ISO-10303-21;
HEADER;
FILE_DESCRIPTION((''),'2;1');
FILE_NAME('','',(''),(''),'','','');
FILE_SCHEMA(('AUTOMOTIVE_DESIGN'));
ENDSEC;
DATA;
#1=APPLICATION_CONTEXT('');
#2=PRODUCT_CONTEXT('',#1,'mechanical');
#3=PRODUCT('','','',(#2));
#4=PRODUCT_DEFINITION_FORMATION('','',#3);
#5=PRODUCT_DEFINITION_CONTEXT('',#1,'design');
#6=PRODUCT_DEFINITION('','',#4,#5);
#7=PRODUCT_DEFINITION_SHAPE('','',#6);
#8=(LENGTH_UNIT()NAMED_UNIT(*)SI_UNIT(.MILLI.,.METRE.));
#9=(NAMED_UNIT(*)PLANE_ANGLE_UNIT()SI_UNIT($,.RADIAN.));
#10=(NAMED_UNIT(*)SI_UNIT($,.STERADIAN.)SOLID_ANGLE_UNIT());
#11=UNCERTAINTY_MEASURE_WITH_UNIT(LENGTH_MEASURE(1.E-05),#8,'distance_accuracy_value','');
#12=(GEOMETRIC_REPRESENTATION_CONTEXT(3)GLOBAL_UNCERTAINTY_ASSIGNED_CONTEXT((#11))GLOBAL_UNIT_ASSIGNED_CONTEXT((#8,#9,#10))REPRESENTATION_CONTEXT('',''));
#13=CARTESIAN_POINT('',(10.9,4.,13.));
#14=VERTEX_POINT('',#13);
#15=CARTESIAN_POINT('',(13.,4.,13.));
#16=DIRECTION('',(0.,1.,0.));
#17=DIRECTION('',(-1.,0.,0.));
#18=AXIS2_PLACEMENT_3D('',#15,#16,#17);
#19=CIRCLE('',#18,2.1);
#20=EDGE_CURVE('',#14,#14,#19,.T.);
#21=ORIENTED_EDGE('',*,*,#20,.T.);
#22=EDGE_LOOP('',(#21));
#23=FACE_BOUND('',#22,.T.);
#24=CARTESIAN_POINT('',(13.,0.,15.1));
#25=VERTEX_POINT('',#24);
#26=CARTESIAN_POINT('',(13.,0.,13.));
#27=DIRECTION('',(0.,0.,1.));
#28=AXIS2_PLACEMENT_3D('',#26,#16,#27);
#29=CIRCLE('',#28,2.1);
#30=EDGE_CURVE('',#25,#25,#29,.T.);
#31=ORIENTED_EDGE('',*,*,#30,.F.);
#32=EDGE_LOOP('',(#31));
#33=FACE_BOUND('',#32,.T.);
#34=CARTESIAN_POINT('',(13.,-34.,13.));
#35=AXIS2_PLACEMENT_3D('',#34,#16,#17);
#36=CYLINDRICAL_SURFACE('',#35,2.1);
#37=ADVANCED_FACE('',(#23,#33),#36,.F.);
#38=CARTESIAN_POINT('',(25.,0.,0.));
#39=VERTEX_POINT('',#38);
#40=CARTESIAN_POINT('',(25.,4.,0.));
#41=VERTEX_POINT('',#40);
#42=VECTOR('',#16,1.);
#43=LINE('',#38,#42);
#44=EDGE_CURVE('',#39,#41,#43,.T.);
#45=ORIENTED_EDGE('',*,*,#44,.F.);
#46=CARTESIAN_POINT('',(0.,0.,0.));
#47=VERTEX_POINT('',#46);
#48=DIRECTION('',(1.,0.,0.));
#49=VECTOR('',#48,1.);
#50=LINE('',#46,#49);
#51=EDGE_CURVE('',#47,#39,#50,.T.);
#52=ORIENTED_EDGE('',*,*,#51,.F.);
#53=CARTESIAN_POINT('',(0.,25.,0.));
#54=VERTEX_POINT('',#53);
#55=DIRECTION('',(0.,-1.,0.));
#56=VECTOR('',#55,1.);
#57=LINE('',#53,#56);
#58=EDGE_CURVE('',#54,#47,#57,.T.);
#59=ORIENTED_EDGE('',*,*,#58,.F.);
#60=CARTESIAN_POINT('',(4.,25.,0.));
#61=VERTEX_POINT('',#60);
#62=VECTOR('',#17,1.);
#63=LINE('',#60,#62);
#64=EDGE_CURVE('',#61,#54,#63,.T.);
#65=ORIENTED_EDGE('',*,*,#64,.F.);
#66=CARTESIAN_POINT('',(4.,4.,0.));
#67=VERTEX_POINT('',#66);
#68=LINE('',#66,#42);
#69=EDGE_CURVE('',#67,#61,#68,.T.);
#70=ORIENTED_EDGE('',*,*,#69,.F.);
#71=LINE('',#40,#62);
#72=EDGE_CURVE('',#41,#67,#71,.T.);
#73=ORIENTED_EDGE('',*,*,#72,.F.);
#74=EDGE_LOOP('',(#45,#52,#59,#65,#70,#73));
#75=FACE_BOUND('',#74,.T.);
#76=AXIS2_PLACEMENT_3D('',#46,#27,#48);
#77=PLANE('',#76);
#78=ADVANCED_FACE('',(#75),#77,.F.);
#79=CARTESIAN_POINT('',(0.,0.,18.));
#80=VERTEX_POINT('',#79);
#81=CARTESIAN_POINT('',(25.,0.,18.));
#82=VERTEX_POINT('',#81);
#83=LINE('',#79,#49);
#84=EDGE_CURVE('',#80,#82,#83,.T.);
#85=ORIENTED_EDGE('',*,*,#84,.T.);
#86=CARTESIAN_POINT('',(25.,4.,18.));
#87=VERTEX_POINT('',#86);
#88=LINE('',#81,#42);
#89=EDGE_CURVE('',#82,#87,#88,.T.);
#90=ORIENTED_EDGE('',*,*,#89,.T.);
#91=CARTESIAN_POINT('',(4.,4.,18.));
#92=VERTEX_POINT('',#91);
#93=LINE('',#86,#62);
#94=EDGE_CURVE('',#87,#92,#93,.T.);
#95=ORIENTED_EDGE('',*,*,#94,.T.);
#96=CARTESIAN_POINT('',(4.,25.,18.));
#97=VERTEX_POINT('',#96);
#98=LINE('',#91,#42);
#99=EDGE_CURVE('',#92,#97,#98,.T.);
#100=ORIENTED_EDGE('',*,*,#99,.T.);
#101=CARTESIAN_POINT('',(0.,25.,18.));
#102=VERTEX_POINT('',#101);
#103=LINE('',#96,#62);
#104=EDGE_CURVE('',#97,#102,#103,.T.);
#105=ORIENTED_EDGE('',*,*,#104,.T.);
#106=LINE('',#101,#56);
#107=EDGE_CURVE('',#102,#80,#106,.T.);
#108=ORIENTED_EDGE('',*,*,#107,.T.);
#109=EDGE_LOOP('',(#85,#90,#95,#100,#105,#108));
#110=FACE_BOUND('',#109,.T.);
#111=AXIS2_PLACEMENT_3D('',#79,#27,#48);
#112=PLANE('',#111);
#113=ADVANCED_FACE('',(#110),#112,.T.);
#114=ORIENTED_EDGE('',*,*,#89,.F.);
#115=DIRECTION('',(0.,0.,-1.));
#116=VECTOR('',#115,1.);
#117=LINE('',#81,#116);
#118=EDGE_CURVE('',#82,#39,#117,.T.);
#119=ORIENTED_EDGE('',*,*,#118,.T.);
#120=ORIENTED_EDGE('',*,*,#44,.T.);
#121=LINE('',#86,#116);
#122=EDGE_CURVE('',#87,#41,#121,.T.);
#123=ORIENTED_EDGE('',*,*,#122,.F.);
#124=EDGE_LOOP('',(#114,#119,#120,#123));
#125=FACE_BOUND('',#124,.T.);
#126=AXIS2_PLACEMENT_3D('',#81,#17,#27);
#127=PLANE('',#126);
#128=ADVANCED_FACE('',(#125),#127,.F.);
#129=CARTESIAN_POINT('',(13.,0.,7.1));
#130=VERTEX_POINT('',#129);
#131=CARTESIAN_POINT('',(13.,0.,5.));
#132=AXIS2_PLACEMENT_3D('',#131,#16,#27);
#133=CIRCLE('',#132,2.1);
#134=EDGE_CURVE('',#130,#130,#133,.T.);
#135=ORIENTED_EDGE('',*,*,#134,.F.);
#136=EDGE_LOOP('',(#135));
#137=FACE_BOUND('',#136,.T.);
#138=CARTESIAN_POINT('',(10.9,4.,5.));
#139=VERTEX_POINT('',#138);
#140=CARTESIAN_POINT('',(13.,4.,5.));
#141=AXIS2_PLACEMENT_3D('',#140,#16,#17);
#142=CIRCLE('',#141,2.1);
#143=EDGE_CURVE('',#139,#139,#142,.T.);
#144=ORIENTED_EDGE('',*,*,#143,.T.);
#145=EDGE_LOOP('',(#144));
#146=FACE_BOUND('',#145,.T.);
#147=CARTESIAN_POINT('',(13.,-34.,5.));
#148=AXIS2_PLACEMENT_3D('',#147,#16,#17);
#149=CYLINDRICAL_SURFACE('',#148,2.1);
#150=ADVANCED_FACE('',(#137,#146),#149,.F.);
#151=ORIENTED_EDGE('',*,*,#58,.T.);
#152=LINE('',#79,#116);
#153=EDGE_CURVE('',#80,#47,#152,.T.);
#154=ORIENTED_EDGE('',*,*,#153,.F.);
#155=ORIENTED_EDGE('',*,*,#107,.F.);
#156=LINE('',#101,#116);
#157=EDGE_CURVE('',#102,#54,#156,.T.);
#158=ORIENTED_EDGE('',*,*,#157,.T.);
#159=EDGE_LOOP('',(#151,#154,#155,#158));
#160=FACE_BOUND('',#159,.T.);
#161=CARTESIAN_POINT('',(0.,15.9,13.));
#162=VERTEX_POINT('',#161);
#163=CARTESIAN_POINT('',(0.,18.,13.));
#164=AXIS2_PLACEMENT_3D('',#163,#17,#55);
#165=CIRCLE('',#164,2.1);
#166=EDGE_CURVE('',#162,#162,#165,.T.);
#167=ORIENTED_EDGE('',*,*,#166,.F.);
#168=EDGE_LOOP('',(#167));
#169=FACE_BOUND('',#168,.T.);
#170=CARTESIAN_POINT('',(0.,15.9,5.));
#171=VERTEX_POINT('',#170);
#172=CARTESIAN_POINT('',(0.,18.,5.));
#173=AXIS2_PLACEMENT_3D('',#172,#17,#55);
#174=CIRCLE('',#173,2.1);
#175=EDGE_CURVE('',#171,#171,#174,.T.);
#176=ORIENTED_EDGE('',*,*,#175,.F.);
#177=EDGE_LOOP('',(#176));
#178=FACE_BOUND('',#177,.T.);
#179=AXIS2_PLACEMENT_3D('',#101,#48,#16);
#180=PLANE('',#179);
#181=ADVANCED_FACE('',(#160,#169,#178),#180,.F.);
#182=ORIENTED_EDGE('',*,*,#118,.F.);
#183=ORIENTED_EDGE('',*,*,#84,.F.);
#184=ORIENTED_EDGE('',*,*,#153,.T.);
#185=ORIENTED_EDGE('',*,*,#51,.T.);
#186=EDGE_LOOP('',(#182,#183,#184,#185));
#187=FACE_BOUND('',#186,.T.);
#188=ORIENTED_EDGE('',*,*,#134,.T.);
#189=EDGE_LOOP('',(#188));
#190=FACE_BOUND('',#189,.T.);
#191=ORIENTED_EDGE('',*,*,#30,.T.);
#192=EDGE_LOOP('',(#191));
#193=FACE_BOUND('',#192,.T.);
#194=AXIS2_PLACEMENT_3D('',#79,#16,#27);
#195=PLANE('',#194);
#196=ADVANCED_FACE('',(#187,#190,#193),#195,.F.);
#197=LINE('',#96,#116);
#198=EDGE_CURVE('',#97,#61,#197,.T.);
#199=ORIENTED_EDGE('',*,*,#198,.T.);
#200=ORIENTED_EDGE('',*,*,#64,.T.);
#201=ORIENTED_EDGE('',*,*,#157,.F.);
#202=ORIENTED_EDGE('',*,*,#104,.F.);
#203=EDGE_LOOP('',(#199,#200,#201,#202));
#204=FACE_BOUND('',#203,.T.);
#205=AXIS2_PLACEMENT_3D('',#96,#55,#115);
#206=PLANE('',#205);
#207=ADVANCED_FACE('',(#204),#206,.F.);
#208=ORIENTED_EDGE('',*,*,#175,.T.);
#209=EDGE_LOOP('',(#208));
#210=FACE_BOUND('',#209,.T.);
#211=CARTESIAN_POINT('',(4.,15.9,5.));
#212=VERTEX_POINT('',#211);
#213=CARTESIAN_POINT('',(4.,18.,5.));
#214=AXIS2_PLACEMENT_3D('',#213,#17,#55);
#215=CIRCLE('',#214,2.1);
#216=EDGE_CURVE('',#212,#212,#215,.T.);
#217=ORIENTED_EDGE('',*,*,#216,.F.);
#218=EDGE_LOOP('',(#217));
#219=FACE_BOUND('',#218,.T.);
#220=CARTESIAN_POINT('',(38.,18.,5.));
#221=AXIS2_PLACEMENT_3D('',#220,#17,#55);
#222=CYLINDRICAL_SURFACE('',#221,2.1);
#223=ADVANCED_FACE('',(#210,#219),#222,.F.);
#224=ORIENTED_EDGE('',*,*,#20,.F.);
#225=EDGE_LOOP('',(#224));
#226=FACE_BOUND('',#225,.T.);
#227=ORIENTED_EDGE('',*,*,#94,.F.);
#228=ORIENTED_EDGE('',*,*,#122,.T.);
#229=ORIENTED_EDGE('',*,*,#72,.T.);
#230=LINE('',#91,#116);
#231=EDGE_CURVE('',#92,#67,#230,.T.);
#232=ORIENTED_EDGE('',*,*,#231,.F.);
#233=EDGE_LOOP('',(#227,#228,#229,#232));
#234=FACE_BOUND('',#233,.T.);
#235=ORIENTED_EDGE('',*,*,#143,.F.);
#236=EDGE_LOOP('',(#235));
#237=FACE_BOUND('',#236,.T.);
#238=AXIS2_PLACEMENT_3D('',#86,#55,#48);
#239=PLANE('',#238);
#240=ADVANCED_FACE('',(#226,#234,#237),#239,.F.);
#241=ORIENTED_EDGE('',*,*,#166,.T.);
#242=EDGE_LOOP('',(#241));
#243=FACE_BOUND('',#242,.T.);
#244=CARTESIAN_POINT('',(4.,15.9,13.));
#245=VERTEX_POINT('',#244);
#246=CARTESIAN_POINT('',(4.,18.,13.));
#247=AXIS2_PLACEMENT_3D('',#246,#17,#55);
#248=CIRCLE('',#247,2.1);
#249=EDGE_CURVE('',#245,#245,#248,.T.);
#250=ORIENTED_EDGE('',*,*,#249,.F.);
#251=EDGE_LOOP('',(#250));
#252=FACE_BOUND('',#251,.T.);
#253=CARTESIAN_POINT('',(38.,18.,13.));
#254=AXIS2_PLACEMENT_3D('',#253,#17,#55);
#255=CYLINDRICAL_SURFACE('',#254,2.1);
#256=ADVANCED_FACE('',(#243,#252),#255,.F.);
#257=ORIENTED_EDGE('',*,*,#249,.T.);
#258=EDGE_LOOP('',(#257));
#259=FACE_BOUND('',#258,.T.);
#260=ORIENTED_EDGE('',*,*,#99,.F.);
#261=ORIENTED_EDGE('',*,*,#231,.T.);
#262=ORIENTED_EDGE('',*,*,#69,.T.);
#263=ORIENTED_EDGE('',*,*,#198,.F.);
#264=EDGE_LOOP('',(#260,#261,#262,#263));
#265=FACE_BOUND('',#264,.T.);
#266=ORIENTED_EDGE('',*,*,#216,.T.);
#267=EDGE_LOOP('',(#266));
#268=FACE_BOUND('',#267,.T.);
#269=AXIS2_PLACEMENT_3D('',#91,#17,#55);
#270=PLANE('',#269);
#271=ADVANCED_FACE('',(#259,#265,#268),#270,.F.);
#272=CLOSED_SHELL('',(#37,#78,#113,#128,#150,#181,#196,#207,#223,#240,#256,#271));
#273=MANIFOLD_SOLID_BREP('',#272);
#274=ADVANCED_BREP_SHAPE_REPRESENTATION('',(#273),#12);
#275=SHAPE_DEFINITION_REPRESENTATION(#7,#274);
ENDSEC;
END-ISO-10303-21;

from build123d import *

# Parameters (mm, degrees)
EXTRUDE_1_DEPTH     = 18
SKETCH_4_R          = 2.1
CUT_EXTRUDE_3_DEPTH = 38
SKETCH_5_R          = 2.1
CUT_EXTRUDE_4_DEPTH = 38


with BuildPart() as part:
    # 草图1 → 凸台-拉伸1 (new body)
    with BuildSketch(Plane.XY):
        Polygon((0, 25), (0, 0), (25, 0), (25, 4), (4, 4), (4, 25), align=None)
    extrude(amount=EXTRUDE_1_DEPTH)

    # 草图4 → 切除-拉伸3 (cut)
    with BuildSketch(Plane(origin=(0, 4, 0), x_dir=(1, 0, 0), z_dir=(0, 1, 0))):
        with Locations(Location((13, -5, 0), (0, 0, 180))):
            Circle(SKETCH_4_R)
        with Locations(Location((13, -13, 0), (0, 0, 180))):
            Circle(SKETCH_4_R)
    extrude(amount=-CUT_EXTRUDE_3_DEPTH, mode=Mode.SUBTRACT)

    # 草图5 → 切除-拉伸4 (cut)
    with BuildSketch(Plane.ZY):
        with Locations(Location((5, 18, 0), (0, 0, 270))):
            Circle(SKETCH_5_R)
        with Locations(Location((13, 18, 0), (0, 0, 270))):
            Circle(SKETCH_5_R)
    extrude(amount=-CUT_EXTRUDE_4_DEPTH, mode=Mode.SUBTRACT)


solid = part.part
